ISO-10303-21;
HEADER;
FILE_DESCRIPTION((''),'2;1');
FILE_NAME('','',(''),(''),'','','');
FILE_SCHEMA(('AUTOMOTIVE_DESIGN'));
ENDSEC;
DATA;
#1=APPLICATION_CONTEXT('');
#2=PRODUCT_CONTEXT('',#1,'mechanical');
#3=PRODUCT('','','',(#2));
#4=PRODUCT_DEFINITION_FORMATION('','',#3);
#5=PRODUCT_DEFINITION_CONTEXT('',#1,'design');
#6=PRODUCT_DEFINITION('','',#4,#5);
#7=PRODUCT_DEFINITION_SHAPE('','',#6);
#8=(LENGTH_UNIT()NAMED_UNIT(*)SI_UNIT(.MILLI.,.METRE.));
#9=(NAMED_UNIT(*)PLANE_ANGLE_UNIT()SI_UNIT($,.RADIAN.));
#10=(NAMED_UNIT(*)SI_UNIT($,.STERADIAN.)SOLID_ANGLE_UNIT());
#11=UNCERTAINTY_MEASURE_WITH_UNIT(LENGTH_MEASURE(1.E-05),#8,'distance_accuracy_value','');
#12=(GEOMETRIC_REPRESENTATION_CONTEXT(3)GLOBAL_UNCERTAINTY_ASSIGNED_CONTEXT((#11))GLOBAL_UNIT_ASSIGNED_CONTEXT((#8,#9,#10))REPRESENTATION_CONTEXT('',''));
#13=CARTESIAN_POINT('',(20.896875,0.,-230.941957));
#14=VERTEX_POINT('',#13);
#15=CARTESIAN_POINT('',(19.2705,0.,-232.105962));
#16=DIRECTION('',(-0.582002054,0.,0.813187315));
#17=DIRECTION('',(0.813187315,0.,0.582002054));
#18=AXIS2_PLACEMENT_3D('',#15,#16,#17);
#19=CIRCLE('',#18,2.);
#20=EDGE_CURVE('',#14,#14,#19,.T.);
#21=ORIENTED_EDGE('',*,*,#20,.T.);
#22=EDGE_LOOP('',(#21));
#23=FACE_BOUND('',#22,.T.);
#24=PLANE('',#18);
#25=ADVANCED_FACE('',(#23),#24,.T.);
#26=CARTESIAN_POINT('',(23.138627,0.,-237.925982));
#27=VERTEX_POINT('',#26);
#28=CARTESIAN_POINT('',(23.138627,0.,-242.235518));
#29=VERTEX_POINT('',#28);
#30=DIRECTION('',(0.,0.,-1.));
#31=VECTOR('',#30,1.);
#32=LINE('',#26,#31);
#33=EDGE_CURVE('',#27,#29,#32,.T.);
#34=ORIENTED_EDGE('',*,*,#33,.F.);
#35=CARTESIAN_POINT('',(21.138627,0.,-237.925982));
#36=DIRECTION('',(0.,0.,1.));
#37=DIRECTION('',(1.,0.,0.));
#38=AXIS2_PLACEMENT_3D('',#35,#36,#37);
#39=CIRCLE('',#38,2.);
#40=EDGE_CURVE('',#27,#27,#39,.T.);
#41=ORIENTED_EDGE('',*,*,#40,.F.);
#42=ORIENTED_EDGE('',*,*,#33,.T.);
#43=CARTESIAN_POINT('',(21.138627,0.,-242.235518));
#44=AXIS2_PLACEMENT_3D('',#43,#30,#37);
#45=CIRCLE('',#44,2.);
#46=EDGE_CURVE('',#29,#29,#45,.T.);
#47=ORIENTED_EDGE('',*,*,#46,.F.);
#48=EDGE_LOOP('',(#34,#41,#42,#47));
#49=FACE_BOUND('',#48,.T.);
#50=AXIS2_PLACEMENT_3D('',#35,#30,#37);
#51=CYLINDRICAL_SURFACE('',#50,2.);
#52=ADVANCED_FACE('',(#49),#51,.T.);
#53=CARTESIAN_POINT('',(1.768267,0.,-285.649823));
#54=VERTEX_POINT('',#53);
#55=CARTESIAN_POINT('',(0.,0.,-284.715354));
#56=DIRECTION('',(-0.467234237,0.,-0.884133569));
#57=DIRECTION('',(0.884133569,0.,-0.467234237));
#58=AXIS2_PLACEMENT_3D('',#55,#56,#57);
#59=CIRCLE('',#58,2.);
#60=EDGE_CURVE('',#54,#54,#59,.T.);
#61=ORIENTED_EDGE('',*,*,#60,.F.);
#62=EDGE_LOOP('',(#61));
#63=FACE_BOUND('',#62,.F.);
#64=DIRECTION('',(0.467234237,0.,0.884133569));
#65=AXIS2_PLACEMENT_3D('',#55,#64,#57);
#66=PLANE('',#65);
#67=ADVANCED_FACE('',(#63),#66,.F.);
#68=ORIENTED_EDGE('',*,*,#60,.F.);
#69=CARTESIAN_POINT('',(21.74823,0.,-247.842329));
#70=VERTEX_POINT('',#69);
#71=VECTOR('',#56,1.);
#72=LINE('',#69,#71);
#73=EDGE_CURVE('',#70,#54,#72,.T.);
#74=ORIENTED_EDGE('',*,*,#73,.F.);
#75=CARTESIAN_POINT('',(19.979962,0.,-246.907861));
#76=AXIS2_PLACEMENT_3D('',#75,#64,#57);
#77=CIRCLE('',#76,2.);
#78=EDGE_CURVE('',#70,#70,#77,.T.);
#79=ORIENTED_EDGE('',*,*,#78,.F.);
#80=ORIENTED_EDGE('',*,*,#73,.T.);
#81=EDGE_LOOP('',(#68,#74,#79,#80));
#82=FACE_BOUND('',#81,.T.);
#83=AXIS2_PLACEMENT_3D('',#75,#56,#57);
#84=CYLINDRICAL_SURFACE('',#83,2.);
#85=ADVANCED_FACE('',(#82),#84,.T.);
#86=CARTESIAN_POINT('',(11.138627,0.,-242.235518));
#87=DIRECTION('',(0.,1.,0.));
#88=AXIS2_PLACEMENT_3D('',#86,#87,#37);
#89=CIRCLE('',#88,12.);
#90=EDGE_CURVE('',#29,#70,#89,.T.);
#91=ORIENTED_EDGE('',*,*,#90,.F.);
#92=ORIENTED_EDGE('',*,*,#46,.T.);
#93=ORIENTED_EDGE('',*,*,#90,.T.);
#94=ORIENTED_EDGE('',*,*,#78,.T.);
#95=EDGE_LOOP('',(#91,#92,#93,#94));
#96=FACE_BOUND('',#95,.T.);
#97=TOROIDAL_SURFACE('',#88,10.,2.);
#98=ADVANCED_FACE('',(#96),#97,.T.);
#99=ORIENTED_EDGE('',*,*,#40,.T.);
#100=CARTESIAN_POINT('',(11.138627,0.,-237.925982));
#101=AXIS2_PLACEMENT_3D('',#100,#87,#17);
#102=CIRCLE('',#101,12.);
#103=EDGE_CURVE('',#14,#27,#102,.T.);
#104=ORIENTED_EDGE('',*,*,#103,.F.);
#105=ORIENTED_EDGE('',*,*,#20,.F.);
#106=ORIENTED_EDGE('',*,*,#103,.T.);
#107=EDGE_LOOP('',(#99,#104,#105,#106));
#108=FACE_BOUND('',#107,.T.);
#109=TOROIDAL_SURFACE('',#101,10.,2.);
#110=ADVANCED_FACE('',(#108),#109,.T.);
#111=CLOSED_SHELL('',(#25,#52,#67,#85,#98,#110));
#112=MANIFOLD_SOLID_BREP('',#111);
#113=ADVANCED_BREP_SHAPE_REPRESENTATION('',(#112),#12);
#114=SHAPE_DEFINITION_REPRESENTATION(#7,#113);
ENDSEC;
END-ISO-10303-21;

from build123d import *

# Parameters (mm, degrees)
F4_R = 2


with BuildPart() as f5:
    # F5: sweep along a path in F0
    with BuildLine(Plane.XZ) as f5_path:
        ThreePointArc((19.2704998709, -232.1059615468), (20.6601479123, -234.8697369649), (21.1386267244, -237.9259820904))
        Line((21.1386267244, -237.9259820904), (21.1386267244, -242.2355183795))
        ThreePointArc((21.1386267244, -242.2355183795), (20.8446392137, -244.6424503595), (19.9799624131, -246.9078607513))
        Line((19.9799624131, -246.9078607513), (0, -284.7153544426))
    # F4 (on line) → F5 (sweep)
    with BuildSketch(Plane(origin=(116.3777675582, 0, -162.6058251468), x_dir=(0.8131873147, 0, 0.5820020544), z_dir=(-0.5820020544, 0, 0.8131873147))):
        with Locations((-119.4156204075, 0)):
            Circle(F4_R)
    sweep(path=f5_path.line)


solid = f5.part
